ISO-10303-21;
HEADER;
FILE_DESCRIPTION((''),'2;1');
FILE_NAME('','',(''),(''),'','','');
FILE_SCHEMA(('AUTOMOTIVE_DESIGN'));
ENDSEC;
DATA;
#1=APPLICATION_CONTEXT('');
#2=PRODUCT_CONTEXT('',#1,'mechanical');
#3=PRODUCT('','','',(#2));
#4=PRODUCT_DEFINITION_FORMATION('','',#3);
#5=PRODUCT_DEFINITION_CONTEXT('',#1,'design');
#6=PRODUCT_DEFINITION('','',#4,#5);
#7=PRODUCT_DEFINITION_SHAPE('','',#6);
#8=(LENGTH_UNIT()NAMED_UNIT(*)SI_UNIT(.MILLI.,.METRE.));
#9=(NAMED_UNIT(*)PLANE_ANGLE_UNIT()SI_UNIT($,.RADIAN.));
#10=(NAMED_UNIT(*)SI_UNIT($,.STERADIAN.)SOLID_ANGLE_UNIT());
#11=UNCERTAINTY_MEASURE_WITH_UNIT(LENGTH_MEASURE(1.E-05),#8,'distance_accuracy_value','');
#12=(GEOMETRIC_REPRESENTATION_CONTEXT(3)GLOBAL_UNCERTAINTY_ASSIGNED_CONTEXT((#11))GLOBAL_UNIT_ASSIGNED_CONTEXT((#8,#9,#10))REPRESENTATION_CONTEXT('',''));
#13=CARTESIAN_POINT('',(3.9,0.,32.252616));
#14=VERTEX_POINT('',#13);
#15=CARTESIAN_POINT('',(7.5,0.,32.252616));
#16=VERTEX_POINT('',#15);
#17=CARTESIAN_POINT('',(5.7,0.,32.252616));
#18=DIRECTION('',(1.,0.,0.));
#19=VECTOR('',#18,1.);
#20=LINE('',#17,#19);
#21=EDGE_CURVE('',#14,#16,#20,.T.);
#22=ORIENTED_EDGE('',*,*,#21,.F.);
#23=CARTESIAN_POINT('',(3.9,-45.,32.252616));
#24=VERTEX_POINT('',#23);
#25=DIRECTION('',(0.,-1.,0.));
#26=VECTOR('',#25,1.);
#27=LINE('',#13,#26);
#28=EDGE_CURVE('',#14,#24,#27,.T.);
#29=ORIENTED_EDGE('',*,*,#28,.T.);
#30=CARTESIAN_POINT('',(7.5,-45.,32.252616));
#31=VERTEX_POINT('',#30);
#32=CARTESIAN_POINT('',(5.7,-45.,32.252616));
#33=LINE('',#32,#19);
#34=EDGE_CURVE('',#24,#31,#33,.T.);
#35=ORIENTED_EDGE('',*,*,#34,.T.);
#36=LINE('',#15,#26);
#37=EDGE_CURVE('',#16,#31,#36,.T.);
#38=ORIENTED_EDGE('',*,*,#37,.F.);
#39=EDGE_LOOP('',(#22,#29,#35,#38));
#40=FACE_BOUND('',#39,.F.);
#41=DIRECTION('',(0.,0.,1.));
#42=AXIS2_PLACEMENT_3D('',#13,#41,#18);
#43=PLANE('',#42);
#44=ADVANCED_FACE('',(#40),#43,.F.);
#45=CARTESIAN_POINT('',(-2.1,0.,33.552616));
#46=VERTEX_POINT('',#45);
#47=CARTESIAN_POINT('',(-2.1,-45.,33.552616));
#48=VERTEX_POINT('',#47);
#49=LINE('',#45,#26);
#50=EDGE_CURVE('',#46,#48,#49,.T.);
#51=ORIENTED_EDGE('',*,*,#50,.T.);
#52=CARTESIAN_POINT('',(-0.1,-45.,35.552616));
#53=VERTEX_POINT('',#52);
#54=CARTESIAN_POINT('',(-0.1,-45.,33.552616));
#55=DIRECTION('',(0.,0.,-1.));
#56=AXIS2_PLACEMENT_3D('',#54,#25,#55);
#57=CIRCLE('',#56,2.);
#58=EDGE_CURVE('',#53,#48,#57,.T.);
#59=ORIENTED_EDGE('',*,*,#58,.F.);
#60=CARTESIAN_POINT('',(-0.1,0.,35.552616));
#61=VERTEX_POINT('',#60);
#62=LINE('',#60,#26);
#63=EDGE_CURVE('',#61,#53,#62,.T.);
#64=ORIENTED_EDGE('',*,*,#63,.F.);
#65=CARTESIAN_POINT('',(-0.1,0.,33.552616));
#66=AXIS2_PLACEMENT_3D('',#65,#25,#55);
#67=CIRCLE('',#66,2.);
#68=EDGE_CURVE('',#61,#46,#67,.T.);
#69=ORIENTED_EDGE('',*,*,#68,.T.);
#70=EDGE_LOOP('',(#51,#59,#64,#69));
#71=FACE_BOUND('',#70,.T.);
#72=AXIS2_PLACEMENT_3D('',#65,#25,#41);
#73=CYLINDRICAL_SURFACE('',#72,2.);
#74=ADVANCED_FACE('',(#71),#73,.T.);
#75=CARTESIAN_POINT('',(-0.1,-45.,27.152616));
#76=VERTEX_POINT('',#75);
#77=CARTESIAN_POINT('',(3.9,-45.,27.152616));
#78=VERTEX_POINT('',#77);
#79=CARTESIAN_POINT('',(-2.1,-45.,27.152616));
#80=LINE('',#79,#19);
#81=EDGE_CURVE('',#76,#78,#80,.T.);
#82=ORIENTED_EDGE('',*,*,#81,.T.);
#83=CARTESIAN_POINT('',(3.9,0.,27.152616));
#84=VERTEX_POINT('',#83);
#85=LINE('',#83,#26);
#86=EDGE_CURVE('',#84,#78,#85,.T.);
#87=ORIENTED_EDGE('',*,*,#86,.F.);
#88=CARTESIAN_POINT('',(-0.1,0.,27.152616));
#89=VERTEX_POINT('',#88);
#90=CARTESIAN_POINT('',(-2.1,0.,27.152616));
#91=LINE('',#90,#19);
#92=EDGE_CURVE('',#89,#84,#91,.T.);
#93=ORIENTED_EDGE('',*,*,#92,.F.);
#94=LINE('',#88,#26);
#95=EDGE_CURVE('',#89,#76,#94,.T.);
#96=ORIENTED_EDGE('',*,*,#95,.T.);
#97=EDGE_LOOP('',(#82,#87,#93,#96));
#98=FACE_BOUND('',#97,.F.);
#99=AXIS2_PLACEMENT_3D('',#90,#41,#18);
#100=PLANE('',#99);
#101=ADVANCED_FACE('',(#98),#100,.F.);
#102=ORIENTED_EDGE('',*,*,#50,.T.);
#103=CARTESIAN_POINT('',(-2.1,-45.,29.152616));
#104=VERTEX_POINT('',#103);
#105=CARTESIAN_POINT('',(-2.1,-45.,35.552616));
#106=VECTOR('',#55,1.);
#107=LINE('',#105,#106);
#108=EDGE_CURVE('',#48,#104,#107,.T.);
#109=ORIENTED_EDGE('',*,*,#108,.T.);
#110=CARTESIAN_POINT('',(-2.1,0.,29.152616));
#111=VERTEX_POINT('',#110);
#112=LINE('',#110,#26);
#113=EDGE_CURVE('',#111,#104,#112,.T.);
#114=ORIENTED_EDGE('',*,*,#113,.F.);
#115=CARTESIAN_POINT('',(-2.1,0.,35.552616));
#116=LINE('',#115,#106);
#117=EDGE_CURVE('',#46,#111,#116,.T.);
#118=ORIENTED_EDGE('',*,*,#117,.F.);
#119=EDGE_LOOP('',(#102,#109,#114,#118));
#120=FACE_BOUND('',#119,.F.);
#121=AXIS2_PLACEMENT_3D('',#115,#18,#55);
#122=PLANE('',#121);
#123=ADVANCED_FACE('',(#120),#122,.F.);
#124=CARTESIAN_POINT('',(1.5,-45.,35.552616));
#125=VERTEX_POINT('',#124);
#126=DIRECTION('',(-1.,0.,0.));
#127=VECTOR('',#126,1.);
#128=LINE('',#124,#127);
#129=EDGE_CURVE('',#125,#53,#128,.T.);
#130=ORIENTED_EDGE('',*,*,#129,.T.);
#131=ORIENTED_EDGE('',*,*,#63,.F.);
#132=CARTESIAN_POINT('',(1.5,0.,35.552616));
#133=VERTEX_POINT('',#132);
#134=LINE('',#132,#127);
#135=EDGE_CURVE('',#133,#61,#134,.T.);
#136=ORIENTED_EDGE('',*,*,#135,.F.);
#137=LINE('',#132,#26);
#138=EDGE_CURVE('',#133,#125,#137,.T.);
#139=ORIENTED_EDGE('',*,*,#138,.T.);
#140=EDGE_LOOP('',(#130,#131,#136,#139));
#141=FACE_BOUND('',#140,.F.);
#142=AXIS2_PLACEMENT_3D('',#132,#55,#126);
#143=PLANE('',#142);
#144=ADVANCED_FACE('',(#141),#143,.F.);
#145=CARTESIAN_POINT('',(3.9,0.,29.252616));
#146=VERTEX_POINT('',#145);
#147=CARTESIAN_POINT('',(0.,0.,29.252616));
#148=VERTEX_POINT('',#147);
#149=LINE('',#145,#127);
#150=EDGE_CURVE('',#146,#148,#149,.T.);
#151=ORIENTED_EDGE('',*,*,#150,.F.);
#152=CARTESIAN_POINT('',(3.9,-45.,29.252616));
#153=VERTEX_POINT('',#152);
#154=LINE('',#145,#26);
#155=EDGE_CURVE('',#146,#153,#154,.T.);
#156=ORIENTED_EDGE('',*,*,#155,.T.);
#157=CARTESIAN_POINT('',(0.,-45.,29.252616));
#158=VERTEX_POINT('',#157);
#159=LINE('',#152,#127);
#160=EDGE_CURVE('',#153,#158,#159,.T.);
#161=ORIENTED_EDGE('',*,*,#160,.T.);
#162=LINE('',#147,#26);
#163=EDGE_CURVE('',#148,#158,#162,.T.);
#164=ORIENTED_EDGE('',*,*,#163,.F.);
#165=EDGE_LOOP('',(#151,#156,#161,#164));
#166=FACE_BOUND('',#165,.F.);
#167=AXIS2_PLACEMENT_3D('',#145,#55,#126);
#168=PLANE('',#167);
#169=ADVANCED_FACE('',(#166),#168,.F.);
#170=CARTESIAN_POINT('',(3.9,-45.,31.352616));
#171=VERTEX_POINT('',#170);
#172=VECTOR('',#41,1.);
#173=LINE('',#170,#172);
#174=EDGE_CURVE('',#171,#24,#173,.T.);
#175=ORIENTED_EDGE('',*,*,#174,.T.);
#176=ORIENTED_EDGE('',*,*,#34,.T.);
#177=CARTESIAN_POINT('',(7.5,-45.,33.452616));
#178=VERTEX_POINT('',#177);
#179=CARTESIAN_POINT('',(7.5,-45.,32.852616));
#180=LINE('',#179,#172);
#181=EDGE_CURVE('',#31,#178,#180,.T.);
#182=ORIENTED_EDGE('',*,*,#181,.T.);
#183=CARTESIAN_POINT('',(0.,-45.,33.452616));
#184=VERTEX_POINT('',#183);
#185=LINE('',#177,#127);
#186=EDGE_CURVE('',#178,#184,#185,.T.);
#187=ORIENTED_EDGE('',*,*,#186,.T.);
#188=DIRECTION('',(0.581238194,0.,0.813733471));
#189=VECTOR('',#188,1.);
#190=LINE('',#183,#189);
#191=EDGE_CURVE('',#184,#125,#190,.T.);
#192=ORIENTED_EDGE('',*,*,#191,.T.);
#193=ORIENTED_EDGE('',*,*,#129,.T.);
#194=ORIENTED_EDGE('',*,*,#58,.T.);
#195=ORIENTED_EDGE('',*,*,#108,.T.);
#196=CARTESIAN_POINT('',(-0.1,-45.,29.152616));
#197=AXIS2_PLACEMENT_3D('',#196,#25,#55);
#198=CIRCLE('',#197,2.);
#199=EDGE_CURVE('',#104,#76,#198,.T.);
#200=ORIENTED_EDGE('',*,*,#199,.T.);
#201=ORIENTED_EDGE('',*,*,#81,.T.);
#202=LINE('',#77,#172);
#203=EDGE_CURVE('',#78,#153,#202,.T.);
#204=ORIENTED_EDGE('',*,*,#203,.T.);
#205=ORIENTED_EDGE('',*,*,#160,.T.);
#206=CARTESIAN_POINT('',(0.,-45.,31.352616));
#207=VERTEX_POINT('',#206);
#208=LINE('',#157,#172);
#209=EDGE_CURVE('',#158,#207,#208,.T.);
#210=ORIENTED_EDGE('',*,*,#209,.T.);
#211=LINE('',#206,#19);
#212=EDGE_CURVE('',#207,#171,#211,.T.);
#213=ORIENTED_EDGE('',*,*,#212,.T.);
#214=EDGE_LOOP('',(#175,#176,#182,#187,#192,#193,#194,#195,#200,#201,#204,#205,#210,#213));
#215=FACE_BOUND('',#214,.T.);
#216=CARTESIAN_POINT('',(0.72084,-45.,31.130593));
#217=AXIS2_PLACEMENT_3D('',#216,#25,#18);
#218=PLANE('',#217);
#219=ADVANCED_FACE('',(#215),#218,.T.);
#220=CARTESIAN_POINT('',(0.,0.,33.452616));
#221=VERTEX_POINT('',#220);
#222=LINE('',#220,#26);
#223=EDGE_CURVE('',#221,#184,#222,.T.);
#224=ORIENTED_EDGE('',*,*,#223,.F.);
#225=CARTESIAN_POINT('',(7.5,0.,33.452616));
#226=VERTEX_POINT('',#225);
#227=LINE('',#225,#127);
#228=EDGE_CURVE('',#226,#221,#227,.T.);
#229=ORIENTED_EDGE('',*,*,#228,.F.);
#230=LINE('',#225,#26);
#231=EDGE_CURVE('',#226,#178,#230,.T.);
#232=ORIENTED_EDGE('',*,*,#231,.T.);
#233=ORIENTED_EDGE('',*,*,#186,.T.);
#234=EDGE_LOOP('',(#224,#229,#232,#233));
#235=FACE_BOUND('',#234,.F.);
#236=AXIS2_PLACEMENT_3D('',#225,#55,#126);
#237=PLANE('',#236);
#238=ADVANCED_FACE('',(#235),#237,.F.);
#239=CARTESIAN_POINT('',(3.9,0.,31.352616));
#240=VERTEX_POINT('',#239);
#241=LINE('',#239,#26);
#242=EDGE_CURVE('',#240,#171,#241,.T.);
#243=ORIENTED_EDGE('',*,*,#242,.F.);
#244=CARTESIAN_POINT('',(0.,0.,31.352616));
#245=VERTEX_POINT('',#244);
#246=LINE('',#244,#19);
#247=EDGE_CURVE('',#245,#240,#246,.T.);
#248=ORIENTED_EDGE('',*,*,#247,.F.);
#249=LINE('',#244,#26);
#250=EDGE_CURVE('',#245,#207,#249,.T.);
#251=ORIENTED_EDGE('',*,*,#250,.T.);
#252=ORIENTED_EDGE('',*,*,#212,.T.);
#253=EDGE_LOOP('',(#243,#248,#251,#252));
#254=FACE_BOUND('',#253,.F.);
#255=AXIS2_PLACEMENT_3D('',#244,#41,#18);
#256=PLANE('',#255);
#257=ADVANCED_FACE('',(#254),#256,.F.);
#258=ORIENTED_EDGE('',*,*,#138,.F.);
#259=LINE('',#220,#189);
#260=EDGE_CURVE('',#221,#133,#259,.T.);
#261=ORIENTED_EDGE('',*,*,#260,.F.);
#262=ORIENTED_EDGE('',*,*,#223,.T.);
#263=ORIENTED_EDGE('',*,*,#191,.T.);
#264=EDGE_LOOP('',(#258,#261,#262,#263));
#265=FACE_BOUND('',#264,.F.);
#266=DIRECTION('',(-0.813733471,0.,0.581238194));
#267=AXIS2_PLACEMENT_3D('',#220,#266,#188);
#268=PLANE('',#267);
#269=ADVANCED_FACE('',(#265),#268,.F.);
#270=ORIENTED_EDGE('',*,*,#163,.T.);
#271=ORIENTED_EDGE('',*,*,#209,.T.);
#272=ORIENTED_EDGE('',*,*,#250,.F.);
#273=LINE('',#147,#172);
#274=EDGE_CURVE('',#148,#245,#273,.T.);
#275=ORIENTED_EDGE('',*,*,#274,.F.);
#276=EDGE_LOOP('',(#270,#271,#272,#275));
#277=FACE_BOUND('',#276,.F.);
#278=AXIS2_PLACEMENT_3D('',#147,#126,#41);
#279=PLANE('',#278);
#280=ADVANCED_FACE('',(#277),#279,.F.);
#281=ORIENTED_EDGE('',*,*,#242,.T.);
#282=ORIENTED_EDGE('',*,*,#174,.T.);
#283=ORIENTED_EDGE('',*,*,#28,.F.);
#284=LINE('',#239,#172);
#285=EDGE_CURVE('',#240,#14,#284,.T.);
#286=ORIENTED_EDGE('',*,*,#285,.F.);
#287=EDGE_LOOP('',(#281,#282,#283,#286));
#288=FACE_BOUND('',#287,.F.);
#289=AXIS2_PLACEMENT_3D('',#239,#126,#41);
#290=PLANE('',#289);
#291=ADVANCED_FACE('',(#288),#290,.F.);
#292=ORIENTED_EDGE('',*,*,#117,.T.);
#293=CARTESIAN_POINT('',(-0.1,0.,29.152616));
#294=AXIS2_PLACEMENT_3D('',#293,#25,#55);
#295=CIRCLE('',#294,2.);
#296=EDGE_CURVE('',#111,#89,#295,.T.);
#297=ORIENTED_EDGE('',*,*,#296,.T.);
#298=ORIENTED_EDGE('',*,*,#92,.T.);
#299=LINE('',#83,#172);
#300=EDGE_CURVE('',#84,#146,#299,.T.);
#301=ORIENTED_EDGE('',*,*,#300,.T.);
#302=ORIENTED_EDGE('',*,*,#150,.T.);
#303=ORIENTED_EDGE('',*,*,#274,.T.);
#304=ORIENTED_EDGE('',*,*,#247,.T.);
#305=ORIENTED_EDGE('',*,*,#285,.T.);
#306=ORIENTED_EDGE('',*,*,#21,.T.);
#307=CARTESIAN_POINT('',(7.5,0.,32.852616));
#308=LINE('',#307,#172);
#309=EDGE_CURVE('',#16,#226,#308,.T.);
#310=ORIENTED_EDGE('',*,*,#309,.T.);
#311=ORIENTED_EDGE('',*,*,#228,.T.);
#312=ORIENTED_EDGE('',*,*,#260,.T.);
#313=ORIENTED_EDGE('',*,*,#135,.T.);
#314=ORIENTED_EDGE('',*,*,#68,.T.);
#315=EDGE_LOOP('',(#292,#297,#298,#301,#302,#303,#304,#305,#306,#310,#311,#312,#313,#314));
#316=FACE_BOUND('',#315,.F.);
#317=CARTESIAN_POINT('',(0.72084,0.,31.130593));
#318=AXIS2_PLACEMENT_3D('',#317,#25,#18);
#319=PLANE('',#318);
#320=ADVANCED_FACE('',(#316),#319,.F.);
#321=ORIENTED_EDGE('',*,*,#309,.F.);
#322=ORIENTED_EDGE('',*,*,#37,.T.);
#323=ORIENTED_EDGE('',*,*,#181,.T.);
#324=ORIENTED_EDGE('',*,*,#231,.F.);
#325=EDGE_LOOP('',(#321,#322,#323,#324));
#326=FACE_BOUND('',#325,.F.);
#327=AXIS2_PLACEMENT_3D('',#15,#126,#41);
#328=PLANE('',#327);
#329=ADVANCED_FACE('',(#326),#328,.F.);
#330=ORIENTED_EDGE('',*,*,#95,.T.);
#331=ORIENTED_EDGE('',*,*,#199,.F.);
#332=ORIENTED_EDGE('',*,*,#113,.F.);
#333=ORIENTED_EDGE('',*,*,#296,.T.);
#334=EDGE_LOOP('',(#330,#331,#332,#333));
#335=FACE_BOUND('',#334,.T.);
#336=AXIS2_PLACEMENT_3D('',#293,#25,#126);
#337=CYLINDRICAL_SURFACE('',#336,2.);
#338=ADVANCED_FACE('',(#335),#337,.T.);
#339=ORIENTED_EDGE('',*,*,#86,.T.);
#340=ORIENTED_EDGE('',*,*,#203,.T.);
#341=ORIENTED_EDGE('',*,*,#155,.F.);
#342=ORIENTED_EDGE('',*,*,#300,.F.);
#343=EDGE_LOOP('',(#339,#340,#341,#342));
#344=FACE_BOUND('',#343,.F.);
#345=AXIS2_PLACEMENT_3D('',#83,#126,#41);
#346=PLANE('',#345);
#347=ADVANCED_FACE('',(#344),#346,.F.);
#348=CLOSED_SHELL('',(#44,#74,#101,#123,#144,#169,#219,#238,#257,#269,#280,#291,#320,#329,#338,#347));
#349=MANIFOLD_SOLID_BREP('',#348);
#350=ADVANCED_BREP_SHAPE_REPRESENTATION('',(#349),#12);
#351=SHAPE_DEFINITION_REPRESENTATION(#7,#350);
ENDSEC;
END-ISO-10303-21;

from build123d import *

# Parameters (mm, degrees)
F0_W     = 3.6
F0_H     = 1.2
F1_DEPTH = 45
F2_R     = 2


with BuildPart() as f1:
    # F0 (on Front) → F1 (new body)
    with BuildSketch(Plane.XZ):
        Polygon((1.5, 35.552616), (-2.1, 35.552616), (-2.1, 27.152616), (3.9, 27.152616), (3.9, 29.252616), (0, 29.252616), (0, 31.352616), (3.9, 31.352616), (3.9, 32.252616), (3.9, 33.452616), (0, 33.452616), align=None)
        with Locations((5.7, 32.852616)):
            Rectangle(F0_W, F0_H)
    extrude(amount=F1_DEPTH)

    # F2
    f2_edges = [f1.edges().sort_by_distance(p)[0] for p in [
        (-2.1, -22.5, 27.152616),
        (-2.1, -22.5, 35.552616),
    ]]
    fillet(f2_edges, radius=F2_R)


solid = f1.part
